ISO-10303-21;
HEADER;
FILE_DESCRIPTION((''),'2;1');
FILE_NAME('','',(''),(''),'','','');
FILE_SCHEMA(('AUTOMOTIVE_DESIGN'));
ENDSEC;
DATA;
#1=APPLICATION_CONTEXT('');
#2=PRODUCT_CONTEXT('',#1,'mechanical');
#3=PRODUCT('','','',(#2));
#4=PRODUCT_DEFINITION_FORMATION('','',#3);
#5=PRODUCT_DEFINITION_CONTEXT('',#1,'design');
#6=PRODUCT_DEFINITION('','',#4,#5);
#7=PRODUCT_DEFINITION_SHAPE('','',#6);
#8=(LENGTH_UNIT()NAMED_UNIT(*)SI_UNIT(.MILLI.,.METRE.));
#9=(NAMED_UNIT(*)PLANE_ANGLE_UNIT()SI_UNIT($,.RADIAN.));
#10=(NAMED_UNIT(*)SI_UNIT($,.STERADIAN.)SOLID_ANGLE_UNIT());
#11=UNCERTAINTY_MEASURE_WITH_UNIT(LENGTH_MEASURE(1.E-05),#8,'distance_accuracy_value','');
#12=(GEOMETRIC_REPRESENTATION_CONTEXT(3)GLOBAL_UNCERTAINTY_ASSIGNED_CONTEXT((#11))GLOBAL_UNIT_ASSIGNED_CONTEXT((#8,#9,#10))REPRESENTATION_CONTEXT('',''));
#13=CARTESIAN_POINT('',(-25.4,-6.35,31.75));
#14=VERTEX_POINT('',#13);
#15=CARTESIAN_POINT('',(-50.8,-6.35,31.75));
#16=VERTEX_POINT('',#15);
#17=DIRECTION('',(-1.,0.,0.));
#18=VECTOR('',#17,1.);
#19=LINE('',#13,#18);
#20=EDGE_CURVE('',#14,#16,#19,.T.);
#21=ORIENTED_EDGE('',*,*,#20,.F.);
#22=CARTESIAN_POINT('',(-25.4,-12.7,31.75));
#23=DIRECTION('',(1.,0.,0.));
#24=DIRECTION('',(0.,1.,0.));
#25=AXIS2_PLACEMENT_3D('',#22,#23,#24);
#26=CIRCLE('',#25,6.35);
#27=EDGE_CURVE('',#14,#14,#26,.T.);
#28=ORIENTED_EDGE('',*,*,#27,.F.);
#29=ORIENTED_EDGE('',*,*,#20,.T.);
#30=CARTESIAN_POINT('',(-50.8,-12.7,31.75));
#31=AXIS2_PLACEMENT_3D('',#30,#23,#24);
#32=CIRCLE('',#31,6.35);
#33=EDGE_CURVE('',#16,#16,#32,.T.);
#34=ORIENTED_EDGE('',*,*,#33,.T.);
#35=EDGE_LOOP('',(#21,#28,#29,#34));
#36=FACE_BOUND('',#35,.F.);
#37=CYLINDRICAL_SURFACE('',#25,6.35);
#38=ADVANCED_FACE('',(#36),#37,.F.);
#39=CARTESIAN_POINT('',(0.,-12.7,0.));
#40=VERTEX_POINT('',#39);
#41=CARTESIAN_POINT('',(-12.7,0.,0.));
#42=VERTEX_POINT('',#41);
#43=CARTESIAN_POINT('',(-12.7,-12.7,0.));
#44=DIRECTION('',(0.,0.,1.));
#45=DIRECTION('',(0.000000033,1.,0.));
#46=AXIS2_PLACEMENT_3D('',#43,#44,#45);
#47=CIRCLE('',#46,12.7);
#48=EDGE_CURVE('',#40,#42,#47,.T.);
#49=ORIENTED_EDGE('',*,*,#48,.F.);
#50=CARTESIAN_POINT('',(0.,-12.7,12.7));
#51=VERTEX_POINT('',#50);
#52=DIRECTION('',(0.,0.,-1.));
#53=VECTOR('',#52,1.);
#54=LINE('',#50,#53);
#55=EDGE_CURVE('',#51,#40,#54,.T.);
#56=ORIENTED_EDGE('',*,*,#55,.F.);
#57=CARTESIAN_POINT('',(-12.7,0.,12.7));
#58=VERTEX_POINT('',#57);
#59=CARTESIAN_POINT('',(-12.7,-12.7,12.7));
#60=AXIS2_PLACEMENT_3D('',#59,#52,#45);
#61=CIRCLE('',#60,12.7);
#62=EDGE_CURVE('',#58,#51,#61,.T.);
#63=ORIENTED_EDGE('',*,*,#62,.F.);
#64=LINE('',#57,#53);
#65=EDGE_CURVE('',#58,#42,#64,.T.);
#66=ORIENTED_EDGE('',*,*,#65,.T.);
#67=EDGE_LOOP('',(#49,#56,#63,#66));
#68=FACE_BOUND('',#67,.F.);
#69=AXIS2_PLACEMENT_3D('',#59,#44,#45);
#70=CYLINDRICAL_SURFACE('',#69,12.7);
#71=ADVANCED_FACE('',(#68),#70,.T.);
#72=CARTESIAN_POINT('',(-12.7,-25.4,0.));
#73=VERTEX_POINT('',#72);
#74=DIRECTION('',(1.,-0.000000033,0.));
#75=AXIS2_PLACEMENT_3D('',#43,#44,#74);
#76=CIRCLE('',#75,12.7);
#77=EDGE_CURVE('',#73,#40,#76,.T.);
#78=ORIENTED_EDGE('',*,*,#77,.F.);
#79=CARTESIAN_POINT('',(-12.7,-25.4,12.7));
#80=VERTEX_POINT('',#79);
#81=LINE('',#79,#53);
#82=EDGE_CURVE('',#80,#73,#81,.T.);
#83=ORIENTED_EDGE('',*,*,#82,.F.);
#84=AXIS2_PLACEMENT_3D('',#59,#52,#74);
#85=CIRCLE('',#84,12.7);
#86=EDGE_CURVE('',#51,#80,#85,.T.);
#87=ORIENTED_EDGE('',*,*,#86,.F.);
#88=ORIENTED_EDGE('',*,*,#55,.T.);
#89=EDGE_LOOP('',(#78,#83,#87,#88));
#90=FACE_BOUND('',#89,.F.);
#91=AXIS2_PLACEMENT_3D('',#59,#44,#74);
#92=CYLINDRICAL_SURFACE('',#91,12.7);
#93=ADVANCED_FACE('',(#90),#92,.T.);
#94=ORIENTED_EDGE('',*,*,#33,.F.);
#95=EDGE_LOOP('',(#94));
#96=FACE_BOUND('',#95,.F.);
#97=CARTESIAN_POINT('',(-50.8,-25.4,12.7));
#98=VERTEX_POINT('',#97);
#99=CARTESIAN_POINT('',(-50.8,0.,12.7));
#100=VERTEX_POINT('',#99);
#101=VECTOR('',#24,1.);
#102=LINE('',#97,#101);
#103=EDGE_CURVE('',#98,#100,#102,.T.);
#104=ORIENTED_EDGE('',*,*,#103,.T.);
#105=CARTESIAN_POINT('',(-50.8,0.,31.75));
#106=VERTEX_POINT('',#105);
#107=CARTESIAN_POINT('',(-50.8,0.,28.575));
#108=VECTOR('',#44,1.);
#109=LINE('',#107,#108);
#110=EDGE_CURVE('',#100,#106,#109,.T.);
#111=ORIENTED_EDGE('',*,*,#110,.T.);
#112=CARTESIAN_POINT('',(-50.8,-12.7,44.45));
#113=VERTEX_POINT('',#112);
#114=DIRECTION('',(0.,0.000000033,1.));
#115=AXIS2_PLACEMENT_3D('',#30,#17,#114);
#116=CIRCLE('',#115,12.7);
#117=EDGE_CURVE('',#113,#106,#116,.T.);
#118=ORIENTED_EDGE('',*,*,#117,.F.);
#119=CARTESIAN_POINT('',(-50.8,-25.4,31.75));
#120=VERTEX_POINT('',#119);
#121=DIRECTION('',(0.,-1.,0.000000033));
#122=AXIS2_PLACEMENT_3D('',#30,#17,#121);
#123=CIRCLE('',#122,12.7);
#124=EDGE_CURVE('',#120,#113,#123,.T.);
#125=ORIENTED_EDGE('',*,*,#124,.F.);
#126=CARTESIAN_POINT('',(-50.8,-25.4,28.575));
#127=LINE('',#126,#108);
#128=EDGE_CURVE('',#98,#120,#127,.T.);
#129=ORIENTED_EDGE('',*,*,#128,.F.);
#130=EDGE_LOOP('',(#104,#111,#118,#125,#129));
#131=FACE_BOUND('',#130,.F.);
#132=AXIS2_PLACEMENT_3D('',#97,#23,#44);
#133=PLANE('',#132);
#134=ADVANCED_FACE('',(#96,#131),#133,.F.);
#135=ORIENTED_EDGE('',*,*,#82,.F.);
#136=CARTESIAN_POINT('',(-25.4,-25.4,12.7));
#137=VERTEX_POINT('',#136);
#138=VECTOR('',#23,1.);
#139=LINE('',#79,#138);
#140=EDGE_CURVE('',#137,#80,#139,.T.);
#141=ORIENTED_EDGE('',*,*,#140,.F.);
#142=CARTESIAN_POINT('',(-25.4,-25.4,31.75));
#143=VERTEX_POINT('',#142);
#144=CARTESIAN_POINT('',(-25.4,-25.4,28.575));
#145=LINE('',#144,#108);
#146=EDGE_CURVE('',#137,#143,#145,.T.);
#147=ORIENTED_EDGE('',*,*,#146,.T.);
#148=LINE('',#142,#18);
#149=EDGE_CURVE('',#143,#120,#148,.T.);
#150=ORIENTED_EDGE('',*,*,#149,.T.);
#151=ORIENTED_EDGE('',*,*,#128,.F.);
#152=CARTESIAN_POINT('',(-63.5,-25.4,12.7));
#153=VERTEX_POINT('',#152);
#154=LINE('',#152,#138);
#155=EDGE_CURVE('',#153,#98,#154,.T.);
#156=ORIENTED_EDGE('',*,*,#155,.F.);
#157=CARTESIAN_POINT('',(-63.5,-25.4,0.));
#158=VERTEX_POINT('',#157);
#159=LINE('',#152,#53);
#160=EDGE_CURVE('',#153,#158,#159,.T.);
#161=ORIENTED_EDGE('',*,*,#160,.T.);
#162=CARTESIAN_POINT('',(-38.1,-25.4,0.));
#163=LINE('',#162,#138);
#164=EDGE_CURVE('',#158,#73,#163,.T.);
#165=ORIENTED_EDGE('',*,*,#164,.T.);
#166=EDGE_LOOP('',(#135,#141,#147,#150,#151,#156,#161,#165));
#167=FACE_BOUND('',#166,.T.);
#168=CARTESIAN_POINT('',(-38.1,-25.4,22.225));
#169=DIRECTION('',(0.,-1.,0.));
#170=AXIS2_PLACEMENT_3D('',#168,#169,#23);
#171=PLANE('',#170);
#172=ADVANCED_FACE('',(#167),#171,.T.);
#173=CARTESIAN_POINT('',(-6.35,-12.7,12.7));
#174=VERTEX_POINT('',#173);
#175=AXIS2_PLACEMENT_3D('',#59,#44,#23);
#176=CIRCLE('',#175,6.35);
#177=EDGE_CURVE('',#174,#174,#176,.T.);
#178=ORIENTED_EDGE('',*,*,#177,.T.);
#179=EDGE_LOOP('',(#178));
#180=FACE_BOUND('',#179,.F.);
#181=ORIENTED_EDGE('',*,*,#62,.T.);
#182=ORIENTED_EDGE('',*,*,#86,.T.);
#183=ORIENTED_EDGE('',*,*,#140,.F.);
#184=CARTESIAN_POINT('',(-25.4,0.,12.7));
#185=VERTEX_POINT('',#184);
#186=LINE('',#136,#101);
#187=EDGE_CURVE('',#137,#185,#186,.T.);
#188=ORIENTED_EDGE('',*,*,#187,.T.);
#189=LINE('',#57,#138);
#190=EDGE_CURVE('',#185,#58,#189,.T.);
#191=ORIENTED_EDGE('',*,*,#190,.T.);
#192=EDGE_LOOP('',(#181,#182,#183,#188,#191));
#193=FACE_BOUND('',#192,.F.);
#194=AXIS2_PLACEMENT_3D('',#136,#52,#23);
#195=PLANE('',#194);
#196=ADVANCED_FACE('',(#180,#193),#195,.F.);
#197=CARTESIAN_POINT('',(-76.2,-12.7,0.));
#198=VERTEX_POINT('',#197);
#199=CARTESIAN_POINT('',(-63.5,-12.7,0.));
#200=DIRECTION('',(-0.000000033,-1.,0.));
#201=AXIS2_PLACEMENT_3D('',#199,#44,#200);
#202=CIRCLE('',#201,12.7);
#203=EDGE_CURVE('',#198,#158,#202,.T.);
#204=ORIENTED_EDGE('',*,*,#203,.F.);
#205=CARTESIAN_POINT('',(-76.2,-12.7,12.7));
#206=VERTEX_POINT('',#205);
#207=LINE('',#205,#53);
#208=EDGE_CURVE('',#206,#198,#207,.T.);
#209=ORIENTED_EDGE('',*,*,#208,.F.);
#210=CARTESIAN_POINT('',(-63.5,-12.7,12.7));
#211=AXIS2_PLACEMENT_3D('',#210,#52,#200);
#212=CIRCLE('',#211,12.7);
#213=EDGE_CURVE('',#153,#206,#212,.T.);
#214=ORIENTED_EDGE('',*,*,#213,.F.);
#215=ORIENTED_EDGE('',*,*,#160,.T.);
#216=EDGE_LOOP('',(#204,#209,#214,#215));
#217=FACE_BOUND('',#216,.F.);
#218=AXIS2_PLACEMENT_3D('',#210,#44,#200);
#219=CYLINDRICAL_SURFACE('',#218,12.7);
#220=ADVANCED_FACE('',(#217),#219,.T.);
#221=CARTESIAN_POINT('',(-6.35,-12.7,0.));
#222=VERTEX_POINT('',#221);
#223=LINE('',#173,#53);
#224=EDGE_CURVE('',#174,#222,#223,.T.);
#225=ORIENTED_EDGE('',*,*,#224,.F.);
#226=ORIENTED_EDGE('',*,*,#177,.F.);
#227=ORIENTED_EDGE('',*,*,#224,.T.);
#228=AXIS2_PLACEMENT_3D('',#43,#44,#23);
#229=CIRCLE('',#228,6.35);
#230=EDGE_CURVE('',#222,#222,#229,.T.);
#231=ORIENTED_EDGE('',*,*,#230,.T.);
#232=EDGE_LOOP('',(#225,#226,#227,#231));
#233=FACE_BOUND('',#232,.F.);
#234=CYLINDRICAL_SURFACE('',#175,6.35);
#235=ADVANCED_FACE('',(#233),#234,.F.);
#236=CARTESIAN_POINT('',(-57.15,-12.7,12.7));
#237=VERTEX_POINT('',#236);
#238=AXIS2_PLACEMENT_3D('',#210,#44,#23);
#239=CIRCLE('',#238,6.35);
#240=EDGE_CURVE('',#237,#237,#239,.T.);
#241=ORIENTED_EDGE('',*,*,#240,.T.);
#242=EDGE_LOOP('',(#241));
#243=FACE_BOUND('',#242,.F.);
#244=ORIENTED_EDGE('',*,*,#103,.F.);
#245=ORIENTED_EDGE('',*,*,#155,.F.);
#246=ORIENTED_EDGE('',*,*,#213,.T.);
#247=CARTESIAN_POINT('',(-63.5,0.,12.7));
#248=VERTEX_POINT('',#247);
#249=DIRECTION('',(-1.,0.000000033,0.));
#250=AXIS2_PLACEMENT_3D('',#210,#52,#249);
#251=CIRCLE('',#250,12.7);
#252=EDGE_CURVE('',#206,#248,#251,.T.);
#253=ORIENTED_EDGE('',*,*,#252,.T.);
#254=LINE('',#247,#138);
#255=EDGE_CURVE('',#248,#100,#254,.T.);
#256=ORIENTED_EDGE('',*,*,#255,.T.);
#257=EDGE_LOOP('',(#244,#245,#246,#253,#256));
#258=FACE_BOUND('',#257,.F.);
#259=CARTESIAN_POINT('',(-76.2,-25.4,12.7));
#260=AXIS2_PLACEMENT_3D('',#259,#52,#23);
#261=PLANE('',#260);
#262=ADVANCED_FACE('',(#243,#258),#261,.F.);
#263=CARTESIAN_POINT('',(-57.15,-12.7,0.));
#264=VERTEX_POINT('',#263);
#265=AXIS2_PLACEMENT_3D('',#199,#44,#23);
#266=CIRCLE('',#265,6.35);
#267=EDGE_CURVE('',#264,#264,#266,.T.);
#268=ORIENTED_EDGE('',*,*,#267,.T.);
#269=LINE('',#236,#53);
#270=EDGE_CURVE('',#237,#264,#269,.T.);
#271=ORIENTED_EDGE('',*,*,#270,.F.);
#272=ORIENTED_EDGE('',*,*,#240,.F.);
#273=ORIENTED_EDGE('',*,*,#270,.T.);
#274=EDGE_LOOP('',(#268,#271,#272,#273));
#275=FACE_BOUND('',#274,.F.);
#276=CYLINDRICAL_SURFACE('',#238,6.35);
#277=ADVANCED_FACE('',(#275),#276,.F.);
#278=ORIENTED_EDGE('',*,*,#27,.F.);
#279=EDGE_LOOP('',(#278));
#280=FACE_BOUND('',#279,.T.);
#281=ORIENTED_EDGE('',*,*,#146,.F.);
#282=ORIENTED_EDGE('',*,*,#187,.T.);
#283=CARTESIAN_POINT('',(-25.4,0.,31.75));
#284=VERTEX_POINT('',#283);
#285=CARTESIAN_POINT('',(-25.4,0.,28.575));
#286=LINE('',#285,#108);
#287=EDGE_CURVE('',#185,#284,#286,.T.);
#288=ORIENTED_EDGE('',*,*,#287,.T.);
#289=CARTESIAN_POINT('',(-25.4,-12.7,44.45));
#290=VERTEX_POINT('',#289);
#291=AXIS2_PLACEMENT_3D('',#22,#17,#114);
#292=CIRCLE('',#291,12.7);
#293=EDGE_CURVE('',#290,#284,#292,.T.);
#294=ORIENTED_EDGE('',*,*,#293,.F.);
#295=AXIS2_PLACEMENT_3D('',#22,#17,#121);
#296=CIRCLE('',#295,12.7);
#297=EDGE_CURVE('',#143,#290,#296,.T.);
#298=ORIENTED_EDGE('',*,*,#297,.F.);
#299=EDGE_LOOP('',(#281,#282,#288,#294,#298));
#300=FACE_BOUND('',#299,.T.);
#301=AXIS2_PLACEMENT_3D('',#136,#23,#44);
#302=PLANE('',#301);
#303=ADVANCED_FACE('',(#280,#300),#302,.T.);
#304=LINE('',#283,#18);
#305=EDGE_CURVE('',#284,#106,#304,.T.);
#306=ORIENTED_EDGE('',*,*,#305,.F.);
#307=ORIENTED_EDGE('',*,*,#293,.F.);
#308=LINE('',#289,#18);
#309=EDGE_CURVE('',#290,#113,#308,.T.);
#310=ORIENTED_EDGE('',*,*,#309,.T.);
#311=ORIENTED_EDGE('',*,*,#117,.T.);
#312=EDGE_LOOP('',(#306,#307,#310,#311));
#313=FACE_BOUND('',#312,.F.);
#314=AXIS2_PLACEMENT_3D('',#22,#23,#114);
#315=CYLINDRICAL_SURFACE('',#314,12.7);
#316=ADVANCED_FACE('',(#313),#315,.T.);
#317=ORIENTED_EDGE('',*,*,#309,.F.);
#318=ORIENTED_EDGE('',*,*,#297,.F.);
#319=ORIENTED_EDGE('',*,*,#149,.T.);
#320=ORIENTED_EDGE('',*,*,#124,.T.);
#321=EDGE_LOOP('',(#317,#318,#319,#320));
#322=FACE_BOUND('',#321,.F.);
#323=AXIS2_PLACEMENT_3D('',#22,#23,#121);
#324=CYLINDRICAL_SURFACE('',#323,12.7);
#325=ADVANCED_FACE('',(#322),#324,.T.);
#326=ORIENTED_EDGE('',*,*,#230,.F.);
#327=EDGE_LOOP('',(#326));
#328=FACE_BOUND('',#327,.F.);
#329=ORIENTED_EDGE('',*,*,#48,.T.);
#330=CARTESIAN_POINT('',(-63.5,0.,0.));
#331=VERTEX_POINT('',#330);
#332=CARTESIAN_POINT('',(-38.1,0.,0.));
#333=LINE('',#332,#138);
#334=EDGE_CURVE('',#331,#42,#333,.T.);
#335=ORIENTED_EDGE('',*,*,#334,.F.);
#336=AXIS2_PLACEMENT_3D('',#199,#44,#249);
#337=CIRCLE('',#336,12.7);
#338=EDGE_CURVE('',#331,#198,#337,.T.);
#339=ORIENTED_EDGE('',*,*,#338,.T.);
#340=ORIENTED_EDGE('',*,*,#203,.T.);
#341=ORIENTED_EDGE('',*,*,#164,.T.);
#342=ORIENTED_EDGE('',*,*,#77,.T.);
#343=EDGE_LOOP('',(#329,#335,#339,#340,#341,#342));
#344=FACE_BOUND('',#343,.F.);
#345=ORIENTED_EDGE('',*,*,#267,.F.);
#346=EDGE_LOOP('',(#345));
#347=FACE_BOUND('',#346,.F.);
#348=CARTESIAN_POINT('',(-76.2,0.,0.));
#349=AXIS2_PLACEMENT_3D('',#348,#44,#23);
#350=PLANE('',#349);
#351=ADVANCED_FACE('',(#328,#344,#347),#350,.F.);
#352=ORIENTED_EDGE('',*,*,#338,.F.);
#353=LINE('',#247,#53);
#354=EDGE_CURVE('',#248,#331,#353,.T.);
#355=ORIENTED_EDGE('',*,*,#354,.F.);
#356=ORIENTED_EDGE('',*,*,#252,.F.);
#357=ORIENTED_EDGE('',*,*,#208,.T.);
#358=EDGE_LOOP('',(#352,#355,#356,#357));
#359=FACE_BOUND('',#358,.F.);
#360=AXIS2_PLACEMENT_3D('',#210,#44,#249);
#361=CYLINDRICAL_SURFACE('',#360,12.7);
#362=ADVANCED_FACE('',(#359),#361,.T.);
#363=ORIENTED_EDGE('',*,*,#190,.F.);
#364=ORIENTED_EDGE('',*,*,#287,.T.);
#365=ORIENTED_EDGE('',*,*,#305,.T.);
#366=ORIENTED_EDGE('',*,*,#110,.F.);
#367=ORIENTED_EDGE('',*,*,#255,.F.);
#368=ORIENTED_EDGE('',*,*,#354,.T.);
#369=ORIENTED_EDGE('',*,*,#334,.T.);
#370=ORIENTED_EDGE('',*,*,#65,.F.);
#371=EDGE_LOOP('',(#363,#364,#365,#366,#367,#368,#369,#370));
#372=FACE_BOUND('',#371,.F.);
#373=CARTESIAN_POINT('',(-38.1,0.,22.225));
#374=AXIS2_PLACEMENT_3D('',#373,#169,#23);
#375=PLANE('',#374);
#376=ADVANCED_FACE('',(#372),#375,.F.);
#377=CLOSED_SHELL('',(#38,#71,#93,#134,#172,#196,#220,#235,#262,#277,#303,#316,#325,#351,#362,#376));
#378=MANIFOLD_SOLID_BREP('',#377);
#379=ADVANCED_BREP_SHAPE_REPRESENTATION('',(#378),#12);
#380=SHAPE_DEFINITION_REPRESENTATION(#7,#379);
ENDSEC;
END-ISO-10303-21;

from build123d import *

# Parameters (mm, degrees)
F0_W     = 76.2
F0_H     = 44.45
F1_DEPTH = 25.4
F2_W     = 25.4
F2_H     = 31.75
F3_DEPTH = 25.4
F4_R     = 6.35
F5_DEPTH = 25.4
F6_R     = 6.35
F7_DEPTH = 25.4
F8_R     = 6.35
F9_DEPTH = 25.4


with BuildPart() as f1:
    # F0 (on Front) → F1 (new body)
    with BuildSketch(Plane.XZ):
        with Locations((-38.1, 22.225)):
            Rectangle(F0_W, F0_H)
    extrude(amount=F1_DEPTH)

    # F2 (on face) → F3 (cut)
    with BuildSketch(Plane.XZ.offset(25.4)):
        with Locations((-63.5, 28.575)):
            Rectangle(F2_W, F2_H)
        with Locations((-12.7, 28.575)):
            Rectangle(F2_W, F2_H)
    extrude(amount=-F3_DEPTH, mode=Mode.SUBTRACT)

    # F4 (on face) → F5 (cut)
    with BuildSketch(Plane.YZ.offset(-25.4)):
        with BuildLine():
            ThreePointArc((-25.4, 31.75), (-21.680256, 40.730256), (-12.7, 44.45))
            Line((-12.7, 44.45), (-25.4, 44.45))
            Line((-25.4, 44.45), (-25.4, 31.75))
        make_face()
        with BuildLine():
            ThreePointArc((-12.7, 44.45), (-3.719744, 40.730256), (0, 31.75))
            Line((0, 31.75), (0, 44.45))
            Line((0, 44.45), (-12.7, 44.45))
        make_face()
        with Locations((-12.7, 31.75)):
            Circle(F4_R)
    extrude(amount=-F5_DEPTH, mode=Mode.SUBTRACT)

    # F6 (on face) → F7 (cut)
    with BuildSketch(Plane.XY.offset(12.7)):
        with BuildLine():
            ThreePointArc((0, -12.7), (-3.719744, -21.680256), (-12.7, -25.4))
            Line((-12.7, -25.4), (0, -25.4))
            Line((0, -25.4), (0, -12.7))
        make_face()
        with BuildLine():
            ThreePointArc((-12.7, 0), (-3.719744, -3.719744), (0, -12.7))
            Line((0, -12.7), (0, 0))
            Line((0, 0), (-12.7, 0))
        make_face()
        with Locations((-12.7, -12.7)):
            Circle(F6_R)
    extrude(amount=-F7_DEPTH, mode=Mode.SUBTRACT)

    # F8 (on face) → F9 (cut)
    with BuildSketch(Plane.XY.offset(12.7)):
        with BuildLine():
            ThreePointArc((-76.2, -12.7), (-72.480256, -3.719744), (-63.5, 0))
            Line((-63.5, 0), (-76.2, 0))
            Line((-76.2, 0), (-76.2, -12.7))
        make_face()
        with BuildLine():
            ThreePointArc((-63.5, -25.4), (-72.480256, -21.680256), (-76.2, -12.7))
            Line((-76.2, -12.7), (-76.2, -25.4))
            Line((-76.2, -25.4), (-63.5, -25.4))
        make_face()
        with Locations((-63.5, -12.7)):
            Circle(F8_R)
    extrude(amount=-F9_DEPTH, mode=Mode.SUBTRACT)


solid = f1.part
